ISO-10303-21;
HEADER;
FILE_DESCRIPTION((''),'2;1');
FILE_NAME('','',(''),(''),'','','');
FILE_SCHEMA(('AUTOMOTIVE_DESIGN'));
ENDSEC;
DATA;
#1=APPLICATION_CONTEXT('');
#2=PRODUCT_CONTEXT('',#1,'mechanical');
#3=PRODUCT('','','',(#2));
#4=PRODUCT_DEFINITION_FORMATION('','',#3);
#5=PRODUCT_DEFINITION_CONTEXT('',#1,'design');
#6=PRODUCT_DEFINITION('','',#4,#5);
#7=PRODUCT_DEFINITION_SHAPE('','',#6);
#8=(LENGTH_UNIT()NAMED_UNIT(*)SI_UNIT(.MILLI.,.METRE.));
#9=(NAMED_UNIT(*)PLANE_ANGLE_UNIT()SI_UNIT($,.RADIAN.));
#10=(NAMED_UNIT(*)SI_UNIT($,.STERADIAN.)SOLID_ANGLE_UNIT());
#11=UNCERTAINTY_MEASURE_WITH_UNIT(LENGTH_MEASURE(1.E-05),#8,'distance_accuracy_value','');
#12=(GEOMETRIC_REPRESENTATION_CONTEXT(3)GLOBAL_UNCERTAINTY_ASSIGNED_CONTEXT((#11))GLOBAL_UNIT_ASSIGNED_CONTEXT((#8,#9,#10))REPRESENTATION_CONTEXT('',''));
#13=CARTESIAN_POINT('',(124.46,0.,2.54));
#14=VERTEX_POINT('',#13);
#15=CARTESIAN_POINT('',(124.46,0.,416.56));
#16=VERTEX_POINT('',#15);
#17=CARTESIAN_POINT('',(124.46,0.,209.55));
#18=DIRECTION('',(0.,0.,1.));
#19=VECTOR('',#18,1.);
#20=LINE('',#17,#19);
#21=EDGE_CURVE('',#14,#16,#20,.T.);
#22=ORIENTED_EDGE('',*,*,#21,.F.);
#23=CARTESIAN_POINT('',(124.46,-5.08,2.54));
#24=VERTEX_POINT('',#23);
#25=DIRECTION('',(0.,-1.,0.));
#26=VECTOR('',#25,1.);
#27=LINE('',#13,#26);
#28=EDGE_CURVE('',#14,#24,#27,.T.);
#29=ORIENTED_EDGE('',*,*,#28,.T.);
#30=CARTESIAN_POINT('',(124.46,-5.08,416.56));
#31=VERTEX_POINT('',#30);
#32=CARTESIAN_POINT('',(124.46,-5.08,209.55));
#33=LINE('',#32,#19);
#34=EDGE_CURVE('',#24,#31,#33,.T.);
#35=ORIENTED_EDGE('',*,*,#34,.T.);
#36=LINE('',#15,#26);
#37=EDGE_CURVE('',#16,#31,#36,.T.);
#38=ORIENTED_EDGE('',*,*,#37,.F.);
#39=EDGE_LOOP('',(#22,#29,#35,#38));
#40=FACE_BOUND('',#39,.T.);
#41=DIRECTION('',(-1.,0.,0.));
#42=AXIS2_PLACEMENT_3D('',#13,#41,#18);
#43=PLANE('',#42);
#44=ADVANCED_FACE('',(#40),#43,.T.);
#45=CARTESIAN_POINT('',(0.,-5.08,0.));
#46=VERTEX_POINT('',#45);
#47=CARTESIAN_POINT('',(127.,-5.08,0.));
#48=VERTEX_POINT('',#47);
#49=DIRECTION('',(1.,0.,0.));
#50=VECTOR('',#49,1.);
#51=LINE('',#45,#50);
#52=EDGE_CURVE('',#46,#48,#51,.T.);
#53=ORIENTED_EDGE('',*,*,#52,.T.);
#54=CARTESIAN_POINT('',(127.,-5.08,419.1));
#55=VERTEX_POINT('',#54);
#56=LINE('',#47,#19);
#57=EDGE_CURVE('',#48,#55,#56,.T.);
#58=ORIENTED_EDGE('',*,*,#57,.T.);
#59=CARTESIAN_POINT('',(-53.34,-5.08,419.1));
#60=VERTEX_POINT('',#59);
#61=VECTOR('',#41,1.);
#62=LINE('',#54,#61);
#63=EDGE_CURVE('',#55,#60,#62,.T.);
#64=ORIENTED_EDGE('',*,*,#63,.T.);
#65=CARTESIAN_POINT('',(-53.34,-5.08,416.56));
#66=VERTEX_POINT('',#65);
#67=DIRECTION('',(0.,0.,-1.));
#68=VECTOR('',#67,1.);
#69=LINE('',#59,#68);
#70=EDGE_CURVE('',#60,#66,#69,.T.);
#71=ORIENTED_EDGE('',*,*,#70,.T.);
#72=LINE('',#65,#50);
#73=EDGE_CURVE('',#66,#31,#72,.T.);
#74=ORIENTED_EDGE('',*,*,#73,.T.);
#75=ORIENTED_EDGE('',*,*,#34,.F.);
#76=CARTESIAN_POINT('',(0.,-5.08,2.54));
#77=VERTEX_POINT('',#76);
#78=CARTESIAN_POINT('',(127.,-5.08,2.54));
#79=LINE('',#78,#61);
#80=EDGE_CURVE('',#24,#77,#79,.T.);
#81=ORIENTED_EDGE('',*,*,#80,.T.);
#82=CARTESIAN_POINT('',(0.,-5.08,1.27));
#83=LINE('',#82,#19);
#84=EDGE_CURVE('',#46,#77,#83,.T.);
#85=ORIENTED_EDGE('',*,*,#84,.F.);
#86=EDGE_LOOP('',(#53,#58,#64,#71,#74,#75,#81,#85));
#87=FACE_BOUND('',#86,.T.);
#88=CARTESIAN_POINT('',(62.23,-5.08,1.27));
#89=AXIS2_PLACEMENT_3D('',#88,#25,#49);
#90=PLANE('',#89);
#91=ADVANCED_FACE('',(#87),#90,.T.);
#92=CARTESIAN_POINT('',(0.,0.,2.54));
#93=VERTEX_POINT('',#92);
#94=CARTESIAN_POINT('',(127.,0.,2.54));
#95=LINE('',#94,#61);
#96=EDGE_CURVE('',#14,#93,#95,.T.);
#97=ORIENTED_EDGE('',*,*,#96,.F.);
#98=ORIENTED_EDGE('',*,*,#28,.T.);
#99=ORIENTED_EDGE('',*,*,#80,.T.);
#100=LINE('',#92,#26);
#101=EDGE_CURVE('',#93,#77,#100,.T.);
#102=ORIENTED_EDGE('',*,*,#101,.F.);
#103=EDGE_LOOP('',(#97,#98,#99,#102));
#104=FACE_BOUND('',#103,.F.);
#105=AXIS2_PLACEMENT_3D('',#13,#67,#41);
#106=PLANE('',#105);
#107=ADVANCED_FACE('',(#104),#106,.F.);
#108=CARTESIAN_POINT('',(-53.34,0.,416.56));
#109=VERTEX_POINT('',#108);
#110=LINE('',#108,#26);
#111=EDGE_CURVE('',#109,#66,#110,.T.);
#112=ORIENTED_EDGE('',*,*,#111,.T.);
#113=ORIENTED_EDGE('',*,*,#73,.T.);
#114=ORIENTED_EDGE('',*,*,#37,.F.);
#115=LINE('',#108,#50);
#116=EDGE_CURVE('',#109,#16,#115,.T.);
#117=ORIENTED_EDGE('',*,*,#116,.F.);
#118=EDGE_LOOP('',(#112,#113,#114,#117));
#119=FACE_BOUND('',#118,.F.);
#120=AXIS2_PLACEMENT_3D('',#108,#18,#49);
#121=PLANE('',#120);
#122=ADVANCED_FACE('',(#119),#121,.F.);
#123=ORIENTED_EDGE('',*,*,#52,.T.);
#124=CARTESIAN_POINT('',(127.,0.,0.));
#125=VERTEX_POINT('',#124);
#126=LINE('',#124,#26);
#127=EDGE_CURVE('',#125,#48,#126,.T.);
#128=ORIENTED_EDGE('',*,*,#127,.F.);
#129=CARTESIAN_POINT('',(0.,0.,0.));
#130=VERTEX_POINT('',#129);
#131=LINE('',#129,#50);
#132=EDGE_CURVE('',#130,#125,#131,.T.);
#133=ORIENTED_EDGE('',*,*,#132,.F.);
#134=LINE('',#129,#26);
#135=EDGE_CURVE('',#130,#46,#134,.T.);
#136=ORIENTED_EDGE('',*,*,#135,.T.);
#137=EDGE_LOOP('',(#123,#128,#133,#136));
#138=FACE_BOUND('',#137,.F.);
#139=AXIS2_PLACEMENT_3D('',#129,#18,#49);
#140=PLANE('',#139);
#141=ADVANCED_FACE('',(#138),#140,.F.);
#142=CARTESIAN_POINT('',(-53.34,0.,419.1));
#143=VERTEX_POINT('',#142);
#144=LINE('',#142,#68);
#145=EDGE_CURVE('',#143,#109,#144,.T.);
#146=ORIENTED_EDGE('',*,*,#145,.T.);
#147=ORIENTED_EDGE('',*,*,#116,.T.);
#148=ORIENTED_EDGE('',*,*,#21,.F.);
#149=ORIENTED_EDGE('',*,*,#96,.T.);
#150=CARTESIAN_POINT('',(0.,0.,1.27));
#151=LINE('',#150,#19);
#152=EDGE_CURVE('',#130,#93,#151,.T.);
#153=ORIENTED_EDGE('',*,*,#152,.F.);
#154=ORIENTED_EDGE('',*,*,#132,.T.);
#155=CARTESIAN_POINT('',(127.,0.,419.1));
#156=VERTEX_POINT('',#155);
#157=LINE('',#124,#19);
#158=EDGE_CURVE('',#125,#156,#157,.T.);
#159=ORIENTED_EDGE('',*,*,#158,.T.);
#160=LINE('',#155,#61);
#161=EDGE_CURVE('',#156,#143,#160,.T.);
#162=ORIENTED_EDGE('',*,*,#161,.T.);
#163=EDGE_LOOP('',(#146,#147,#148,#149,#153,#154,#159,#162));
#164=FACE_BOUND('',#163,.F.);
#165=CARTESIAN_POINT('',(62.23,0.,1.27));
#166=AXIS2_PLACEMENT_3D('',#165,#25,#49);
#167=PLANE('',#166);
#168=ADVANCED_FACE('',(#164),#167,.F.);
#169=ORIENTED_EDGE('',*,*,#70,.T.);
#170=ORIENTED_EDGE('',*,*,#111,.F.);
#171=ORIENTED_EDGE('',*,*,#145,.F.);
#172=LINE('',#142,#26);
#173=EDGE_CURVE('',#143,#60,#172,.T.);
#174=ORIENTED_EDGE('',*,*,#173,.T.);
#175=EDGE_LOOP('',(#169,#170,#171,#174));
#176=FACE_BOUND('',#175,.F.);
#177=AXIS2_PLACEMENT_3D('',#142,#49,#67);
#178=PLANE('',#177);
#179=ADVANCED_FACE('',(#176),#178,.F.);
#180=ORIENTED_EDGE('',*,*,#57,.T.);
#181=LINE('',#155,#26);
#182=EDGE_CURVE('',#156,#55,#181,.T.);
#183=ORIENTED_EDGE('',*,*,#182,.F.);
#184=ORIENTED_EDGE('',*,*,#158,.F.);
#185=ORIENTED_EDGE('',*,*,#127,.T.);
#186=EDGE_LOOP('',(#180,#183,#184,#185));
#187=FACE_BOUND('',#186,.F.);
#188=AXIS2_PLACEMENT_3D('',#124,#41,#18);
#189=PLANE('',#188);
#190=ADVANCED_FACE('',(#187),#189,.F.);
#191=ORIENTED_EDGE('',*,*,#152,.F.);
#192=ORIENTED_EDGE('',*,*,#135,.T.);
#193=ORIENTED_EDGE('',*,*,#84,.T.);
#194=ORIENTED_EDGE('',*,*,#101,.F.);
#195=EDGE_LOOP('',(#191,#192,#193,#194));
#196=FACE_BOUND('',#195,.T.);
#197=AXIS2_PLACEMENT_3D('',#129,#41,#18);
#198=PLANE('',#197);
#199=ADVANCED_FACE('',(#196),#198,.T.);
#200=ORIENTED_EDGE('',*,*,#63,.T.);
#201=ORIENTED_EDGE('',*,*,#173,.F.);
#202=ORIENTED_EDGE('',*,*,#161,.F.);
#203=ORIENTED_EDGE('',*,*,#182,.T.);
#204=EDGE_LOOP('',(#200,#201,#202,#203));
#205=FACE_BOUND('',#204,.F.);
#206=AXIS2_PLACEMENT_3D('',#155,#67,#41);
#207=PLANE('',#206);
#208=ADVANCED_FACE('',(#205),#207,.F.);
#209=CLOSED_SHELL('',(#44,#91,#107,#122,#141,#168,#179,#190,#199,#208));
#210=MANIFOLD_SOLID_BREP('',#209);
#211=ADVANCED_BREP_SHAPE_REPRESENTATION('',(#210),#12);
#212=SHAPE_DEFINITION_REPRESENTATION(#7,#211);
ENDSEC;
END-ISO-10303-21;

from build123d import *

# Parameters (mm, degrees)
F0_W     = 124.46
F0_H     = 2.54
F0_W_2   = 2.54
F0_H_2   = 414.02
F1_DEPTH = 5.08


with BuildPart() as f1:
    # F0 (on Front) → F1 (new body)
    with BuildSketch(Plane.XZ):
        with Locations((62.23, 1.27)):
            Rectangle(F0_W, F0_H)
        with Locations((125.73, 1.27)):
            Rectangle(F0_W_2, F0_H)
        with Locations((125.73, 209.55)):
            Rectangle(F0_W_2, F0_H_2)
        Polygon((-53.34, 416.56), (124.46, 416.56), (127, 416.56), (127, 419.1), (-53.34, 419.1), align=None)
    extrude(amount=F1_DEPTH)


solid = f1.part
